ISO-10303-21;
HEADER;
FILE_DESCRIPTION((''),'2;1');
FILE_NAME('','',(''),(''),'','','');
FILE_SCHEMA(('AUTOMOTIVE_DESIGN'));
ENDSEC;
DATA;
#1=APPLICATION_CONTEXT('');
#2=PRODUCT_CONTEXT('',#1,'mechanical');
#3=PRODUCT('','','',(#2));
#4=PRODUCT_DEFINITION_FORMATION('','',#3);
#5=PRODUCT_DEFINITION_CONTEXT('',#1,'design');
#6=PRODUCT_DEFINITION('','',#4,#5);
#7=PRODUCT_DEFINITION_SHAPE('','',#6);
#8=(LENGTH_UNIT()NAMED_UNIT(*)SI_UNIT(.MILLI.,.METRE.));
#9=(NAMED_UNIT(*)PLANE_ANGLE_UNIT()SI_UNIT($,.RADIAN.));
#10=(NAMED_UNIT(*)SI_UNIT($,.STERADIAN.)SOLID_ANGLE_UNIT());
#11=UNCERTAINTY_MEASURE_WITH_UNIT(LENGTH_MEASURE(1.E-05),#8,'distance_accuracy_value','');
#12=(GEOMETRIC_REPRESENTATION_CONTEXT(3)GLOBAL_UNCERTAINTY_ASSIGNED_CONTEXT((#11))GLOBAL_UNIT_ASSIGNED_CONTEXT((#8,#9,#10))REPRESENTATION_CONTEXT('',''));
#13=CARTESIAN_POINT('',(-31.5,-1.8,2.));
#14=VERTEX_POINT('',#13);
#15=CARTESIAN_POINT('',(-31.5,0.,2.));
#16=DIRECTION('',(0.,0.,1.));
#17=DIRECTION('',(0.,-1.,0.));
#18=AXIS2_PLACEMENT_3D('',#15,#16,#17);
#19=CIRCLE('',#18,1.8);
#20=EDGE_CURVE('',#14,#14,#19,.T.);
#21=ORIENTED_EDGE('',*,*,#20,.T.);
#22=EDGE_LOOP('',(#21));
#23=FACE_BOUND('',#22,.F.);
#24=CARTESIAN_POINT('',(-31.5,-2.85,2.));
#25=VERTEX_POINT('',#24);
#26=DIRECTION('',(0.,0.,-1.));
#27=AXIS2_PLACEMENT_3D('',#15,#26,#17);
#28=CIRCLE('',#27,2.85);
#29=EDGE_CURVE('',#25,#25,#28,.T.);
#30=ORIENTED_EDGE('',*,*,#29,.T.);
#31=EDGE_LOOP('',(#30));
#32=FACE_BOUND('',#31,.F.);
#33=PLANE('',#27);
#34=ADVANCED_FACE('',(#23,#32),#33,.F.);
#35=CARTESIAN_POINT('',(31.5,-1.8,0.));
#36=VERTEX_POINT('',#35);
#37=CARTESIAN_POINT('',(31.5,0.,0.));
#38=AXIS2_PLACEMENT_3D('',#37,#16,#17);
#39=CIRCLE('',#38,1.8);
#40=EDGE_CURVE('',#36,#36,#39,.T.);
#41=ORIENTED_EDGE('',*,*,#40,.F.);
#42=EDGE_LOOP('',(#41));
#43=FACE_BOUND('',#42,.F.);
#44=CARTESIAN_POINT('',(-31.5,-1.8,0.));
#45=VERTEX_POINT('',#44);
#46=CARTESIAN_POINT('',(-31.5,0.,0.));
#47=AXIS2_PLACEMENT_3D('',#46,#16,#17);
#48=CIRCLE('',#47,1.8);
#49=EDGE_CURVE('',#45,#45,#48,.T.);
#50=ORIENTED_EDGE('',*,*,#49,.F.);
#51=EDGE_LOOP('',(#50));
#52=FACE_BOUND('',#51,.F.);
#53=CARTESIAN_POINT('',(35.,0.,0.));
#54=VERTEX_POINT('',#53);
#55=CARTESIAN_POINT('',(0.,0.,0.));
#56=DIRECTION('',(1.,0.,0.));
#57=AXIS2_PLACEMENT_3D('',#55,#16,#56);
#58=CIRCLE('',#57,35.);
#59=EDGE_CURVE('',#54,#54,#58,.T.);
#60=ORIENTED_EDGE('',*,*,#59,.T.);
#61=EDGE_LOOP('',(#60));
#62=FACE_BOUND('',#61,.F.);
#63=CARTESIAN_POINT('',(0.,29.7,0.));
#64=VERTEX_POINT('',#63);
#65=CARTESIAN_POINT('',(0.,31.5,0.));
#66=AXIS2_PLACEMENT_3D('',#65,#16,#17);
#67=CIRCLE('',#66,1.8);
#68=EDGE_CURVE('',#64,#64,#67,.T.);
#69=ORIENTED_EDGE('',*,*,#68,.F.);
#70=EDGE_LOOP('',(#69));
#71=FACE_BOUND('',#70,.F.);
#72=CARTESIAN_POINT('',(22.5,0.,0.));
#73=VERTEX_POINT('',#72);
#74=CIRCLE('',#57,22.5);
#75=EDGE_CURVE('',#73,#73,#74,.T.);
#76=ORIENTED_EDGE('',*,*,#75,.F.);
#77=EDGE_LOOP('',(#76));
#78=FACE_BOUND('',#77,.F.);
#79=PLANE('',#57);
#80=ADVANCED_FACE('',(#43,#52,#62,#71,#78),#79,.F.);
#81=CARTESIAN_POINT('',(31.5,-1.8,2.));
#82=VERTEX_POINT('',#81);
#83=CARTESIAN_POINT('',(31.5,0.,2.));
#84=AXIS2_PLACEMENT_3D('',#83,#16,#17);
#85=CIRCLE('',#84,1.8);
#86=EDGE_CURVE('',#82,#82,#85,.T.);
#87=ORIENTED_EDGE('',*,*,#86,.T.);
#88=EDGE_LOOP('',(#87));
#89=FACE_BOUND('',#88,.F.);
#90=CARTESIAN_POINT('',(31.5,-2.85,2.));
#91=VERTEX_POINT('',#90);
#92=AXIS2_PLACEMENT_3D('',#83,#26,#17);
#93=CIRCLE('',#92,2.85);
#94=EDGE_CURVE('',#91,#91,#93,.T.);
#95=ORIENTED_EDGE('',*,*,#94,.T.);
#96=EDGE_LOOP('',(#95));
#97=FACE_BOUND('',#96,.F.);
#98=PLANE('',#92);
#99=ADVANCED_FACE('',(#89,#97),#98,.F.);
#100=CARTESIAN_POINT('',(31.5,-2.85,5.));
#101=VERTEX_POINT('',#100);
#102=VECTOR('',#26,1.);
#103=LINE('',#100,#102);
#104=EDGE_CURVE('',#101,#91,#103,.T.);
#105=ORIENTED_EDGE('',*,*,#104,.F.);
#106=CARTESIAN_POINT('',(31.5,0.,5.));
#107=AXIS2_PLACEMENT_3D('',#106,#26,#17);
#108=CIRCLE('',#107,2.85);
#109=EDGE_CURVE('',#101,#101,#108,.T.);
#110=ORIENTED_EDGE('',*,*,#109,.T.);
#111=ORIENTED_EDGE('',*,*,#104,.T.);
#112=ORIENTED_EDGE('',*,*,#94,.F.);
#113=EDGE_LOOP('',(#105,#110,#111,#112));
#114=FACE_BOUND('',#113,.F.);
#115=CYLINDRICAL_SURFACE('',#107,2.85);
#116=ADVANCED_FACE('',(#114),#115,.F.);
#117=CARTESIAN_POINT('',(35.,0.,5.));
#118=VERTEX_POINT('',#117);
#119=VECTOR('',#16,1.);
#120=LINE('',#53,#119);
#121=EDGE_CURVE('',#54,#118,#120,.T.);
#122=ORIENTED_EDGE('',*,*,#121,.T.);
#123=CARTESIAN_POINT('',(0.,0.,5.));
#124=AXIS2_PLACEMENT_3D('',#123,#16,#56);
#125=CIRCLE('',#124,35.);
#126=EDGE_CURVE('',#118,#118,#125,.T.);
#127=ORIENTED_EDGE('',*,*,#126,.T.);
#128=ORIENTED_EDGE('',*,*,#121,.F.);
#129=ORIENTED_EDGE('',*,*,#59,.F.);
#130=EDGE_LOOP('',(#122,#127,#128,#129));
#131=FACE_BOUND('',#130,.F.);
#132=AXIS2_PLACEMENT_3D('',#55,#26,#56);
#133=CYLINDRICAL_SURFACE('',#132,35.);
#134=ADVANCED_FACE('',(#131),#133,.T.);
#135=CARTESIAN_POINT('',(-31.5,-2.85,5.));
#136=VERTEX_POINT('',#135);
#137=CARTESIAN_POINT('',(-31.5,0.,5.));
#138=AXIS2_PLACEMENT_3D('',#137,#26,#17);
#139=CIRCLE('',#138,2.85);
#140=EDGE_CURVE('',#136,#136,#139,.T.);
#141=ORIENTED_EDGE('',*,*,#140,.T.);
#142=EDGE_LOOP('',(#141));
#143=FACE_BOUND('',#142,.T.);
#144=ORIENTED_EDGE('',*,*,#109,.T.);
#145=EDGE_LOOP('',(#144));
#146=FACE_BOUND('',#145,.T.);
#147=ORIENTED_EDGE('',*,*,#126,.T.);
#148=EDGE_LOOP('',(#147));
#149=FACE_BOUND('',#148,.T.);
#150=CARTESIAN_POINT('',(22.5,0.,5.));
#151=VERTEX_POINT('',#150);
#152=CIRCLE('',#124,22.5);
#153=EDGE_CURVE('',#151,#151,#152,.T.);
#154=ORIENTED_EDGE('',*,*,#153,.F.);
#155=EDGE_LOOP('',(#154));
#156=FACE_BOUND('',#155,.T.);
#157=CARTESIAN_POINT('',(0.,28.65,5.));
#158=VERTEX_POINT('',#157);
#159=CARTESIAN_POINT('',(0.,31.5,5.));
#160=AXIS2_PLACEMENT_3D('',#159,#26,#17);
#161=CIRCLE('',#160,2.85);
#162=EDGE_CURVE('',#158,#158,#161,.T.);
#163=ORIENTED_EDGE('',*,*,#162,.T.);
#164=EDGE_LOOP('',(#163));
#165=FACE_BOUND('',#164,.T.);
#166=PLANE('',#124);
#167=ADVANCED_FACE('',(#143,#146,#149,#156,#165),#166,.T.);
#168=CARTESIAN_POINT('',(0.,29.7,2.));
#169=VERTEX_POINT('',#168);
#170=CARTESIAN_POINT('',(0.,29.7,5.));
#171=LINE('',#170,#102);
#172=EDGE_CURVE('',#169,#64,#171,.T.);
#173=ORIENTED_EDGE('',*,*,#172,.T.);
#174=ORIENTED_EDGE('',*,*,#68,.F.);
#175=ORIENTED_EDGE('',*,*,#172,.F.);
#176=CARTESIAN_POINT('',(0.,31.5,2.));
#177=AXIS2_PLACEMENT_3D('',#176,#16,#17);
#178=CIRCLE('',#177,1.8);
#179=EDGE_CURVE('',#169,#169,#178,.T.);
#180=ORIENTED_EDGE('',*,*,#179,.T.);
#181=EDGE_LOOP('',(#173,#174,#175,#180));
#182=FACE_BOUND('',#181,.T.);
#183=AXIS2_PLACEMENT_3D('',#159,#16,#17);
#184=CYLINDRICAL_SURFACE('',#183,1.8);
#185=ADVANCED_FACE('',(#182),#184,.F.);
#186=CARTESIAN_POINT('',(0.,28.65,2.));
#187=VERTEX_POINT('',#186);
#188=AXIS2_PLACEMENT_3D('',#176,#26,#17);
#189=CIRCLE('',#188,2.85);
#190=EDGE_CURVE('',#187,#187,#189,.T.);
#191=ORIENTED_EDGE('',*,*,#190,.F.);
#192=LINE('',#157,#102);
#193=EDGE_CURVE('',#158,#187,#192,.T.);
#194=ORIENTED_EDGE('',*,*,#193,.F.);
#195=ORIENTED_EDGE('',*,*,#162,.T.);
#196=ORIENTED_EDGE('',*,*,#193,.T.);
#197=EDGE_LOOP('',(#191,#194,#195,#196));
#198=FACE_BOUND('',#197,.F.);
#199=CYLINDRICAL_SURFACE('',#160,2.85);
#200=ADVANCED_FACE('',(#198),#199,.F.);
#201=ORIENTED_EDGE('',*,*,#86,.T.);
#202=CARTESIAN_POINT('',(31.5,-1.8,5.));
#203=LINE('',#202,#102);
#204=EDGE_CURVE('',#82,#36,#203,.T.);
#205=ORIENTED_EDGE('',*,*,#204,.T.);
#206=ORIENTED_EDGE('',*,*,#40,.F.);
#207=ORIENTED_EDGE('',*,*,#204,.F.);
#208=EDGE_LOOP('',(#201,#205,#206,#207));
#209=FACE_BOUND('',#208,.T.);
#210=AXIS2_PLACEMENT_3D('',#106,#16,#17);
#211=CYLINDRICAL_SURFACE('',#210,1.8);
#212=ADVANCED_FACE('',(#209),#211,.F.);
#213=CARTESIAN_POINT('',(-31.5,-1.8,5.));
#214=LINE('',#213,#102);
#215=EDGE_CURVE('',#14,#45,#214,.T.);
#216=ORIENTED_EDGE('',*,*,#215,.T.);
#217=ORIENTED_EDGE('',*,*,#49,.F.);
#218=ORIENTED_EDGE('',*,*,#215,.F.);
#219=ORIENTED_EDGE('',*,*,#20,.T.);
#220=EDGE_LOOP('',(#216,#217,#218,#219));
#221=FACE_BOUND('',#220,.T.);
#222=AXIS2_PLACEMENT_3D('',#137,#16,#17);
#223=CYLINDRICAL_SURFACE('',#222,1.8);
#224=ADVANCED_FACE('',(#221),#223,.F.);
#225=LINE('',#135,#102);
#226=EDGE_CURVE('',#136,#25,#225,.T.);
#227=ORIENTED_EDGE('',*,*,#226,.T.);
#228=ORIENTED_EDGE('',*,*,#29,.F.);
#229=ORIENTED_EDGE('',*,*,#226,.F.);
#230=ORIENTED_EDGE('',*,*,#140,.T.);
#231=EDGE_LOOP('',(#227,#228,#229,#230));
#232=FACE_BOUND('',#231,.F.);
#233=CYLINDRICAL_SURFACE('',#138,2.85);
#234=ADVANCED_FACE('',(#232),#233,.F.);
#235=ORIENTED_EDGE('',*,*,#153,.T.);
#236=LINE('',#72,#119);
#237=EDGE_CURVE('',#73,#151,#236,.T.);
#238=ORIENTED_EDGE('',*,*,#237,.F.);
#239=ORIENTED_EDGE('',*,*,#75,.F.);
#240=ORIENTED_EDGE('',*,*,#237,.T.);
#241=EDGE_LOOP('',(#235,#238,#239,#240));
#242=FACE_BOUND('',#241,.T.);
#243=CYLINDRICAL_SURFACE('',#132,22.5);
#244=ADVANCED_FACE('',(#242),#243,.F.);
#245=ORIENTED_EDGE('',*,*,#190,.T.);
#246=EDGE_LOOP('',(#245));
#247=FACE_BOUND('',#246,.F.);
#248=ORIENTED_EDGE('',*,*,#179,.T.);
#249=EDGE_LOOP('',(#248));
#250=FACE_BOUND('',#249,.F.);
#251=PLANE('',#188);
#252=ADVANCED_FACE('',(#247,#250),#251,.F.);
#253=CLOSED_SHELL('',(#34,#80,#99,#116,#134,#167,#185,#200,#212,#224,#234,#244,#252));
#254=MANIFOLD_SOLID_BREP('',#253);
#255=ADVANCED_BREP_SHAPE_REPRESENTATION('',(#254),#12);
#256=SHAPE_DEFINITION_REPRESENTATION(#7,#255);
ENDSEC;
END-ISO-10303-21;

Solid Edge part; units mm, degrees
sketch "Sketch1" plane through (0, 0, 0) normal (0, 0, 1) x (1, 0, 0)
  circle A0 centre (0, 0) radius 22.5
  circle A1 centre (0, 0) radius 35
  dimension "D1" = 70
  dimension "D2" = 45
extrude "Protrusion1" add sketch "Sketch1" along normal blind 5
hole "Hole_1" at (-31.5, 0, 5) direction (0, 0, -1) diameter 3.6 end up to next
hole "Hole1" at (0, 31.5, 5) direction (0, 0, -1) diameter 3.6 end up to next
hole "Hole2" at (31.5, 0, 5) direction (0, 0, -1) diameter 3.6 end up to next
hole "Hole_4" at (-31.5, 0, 5) direction (0, 0, -1) diameter 5.7 depth 3
hole "Hole3" at (0, 31.5, 5) direction (0, 0, -1) diameter 5.7 depth 3
hole "Hole4" at (31.5, 0, 5) direction (0, 0, -1) diameter 5.7 depth 3
